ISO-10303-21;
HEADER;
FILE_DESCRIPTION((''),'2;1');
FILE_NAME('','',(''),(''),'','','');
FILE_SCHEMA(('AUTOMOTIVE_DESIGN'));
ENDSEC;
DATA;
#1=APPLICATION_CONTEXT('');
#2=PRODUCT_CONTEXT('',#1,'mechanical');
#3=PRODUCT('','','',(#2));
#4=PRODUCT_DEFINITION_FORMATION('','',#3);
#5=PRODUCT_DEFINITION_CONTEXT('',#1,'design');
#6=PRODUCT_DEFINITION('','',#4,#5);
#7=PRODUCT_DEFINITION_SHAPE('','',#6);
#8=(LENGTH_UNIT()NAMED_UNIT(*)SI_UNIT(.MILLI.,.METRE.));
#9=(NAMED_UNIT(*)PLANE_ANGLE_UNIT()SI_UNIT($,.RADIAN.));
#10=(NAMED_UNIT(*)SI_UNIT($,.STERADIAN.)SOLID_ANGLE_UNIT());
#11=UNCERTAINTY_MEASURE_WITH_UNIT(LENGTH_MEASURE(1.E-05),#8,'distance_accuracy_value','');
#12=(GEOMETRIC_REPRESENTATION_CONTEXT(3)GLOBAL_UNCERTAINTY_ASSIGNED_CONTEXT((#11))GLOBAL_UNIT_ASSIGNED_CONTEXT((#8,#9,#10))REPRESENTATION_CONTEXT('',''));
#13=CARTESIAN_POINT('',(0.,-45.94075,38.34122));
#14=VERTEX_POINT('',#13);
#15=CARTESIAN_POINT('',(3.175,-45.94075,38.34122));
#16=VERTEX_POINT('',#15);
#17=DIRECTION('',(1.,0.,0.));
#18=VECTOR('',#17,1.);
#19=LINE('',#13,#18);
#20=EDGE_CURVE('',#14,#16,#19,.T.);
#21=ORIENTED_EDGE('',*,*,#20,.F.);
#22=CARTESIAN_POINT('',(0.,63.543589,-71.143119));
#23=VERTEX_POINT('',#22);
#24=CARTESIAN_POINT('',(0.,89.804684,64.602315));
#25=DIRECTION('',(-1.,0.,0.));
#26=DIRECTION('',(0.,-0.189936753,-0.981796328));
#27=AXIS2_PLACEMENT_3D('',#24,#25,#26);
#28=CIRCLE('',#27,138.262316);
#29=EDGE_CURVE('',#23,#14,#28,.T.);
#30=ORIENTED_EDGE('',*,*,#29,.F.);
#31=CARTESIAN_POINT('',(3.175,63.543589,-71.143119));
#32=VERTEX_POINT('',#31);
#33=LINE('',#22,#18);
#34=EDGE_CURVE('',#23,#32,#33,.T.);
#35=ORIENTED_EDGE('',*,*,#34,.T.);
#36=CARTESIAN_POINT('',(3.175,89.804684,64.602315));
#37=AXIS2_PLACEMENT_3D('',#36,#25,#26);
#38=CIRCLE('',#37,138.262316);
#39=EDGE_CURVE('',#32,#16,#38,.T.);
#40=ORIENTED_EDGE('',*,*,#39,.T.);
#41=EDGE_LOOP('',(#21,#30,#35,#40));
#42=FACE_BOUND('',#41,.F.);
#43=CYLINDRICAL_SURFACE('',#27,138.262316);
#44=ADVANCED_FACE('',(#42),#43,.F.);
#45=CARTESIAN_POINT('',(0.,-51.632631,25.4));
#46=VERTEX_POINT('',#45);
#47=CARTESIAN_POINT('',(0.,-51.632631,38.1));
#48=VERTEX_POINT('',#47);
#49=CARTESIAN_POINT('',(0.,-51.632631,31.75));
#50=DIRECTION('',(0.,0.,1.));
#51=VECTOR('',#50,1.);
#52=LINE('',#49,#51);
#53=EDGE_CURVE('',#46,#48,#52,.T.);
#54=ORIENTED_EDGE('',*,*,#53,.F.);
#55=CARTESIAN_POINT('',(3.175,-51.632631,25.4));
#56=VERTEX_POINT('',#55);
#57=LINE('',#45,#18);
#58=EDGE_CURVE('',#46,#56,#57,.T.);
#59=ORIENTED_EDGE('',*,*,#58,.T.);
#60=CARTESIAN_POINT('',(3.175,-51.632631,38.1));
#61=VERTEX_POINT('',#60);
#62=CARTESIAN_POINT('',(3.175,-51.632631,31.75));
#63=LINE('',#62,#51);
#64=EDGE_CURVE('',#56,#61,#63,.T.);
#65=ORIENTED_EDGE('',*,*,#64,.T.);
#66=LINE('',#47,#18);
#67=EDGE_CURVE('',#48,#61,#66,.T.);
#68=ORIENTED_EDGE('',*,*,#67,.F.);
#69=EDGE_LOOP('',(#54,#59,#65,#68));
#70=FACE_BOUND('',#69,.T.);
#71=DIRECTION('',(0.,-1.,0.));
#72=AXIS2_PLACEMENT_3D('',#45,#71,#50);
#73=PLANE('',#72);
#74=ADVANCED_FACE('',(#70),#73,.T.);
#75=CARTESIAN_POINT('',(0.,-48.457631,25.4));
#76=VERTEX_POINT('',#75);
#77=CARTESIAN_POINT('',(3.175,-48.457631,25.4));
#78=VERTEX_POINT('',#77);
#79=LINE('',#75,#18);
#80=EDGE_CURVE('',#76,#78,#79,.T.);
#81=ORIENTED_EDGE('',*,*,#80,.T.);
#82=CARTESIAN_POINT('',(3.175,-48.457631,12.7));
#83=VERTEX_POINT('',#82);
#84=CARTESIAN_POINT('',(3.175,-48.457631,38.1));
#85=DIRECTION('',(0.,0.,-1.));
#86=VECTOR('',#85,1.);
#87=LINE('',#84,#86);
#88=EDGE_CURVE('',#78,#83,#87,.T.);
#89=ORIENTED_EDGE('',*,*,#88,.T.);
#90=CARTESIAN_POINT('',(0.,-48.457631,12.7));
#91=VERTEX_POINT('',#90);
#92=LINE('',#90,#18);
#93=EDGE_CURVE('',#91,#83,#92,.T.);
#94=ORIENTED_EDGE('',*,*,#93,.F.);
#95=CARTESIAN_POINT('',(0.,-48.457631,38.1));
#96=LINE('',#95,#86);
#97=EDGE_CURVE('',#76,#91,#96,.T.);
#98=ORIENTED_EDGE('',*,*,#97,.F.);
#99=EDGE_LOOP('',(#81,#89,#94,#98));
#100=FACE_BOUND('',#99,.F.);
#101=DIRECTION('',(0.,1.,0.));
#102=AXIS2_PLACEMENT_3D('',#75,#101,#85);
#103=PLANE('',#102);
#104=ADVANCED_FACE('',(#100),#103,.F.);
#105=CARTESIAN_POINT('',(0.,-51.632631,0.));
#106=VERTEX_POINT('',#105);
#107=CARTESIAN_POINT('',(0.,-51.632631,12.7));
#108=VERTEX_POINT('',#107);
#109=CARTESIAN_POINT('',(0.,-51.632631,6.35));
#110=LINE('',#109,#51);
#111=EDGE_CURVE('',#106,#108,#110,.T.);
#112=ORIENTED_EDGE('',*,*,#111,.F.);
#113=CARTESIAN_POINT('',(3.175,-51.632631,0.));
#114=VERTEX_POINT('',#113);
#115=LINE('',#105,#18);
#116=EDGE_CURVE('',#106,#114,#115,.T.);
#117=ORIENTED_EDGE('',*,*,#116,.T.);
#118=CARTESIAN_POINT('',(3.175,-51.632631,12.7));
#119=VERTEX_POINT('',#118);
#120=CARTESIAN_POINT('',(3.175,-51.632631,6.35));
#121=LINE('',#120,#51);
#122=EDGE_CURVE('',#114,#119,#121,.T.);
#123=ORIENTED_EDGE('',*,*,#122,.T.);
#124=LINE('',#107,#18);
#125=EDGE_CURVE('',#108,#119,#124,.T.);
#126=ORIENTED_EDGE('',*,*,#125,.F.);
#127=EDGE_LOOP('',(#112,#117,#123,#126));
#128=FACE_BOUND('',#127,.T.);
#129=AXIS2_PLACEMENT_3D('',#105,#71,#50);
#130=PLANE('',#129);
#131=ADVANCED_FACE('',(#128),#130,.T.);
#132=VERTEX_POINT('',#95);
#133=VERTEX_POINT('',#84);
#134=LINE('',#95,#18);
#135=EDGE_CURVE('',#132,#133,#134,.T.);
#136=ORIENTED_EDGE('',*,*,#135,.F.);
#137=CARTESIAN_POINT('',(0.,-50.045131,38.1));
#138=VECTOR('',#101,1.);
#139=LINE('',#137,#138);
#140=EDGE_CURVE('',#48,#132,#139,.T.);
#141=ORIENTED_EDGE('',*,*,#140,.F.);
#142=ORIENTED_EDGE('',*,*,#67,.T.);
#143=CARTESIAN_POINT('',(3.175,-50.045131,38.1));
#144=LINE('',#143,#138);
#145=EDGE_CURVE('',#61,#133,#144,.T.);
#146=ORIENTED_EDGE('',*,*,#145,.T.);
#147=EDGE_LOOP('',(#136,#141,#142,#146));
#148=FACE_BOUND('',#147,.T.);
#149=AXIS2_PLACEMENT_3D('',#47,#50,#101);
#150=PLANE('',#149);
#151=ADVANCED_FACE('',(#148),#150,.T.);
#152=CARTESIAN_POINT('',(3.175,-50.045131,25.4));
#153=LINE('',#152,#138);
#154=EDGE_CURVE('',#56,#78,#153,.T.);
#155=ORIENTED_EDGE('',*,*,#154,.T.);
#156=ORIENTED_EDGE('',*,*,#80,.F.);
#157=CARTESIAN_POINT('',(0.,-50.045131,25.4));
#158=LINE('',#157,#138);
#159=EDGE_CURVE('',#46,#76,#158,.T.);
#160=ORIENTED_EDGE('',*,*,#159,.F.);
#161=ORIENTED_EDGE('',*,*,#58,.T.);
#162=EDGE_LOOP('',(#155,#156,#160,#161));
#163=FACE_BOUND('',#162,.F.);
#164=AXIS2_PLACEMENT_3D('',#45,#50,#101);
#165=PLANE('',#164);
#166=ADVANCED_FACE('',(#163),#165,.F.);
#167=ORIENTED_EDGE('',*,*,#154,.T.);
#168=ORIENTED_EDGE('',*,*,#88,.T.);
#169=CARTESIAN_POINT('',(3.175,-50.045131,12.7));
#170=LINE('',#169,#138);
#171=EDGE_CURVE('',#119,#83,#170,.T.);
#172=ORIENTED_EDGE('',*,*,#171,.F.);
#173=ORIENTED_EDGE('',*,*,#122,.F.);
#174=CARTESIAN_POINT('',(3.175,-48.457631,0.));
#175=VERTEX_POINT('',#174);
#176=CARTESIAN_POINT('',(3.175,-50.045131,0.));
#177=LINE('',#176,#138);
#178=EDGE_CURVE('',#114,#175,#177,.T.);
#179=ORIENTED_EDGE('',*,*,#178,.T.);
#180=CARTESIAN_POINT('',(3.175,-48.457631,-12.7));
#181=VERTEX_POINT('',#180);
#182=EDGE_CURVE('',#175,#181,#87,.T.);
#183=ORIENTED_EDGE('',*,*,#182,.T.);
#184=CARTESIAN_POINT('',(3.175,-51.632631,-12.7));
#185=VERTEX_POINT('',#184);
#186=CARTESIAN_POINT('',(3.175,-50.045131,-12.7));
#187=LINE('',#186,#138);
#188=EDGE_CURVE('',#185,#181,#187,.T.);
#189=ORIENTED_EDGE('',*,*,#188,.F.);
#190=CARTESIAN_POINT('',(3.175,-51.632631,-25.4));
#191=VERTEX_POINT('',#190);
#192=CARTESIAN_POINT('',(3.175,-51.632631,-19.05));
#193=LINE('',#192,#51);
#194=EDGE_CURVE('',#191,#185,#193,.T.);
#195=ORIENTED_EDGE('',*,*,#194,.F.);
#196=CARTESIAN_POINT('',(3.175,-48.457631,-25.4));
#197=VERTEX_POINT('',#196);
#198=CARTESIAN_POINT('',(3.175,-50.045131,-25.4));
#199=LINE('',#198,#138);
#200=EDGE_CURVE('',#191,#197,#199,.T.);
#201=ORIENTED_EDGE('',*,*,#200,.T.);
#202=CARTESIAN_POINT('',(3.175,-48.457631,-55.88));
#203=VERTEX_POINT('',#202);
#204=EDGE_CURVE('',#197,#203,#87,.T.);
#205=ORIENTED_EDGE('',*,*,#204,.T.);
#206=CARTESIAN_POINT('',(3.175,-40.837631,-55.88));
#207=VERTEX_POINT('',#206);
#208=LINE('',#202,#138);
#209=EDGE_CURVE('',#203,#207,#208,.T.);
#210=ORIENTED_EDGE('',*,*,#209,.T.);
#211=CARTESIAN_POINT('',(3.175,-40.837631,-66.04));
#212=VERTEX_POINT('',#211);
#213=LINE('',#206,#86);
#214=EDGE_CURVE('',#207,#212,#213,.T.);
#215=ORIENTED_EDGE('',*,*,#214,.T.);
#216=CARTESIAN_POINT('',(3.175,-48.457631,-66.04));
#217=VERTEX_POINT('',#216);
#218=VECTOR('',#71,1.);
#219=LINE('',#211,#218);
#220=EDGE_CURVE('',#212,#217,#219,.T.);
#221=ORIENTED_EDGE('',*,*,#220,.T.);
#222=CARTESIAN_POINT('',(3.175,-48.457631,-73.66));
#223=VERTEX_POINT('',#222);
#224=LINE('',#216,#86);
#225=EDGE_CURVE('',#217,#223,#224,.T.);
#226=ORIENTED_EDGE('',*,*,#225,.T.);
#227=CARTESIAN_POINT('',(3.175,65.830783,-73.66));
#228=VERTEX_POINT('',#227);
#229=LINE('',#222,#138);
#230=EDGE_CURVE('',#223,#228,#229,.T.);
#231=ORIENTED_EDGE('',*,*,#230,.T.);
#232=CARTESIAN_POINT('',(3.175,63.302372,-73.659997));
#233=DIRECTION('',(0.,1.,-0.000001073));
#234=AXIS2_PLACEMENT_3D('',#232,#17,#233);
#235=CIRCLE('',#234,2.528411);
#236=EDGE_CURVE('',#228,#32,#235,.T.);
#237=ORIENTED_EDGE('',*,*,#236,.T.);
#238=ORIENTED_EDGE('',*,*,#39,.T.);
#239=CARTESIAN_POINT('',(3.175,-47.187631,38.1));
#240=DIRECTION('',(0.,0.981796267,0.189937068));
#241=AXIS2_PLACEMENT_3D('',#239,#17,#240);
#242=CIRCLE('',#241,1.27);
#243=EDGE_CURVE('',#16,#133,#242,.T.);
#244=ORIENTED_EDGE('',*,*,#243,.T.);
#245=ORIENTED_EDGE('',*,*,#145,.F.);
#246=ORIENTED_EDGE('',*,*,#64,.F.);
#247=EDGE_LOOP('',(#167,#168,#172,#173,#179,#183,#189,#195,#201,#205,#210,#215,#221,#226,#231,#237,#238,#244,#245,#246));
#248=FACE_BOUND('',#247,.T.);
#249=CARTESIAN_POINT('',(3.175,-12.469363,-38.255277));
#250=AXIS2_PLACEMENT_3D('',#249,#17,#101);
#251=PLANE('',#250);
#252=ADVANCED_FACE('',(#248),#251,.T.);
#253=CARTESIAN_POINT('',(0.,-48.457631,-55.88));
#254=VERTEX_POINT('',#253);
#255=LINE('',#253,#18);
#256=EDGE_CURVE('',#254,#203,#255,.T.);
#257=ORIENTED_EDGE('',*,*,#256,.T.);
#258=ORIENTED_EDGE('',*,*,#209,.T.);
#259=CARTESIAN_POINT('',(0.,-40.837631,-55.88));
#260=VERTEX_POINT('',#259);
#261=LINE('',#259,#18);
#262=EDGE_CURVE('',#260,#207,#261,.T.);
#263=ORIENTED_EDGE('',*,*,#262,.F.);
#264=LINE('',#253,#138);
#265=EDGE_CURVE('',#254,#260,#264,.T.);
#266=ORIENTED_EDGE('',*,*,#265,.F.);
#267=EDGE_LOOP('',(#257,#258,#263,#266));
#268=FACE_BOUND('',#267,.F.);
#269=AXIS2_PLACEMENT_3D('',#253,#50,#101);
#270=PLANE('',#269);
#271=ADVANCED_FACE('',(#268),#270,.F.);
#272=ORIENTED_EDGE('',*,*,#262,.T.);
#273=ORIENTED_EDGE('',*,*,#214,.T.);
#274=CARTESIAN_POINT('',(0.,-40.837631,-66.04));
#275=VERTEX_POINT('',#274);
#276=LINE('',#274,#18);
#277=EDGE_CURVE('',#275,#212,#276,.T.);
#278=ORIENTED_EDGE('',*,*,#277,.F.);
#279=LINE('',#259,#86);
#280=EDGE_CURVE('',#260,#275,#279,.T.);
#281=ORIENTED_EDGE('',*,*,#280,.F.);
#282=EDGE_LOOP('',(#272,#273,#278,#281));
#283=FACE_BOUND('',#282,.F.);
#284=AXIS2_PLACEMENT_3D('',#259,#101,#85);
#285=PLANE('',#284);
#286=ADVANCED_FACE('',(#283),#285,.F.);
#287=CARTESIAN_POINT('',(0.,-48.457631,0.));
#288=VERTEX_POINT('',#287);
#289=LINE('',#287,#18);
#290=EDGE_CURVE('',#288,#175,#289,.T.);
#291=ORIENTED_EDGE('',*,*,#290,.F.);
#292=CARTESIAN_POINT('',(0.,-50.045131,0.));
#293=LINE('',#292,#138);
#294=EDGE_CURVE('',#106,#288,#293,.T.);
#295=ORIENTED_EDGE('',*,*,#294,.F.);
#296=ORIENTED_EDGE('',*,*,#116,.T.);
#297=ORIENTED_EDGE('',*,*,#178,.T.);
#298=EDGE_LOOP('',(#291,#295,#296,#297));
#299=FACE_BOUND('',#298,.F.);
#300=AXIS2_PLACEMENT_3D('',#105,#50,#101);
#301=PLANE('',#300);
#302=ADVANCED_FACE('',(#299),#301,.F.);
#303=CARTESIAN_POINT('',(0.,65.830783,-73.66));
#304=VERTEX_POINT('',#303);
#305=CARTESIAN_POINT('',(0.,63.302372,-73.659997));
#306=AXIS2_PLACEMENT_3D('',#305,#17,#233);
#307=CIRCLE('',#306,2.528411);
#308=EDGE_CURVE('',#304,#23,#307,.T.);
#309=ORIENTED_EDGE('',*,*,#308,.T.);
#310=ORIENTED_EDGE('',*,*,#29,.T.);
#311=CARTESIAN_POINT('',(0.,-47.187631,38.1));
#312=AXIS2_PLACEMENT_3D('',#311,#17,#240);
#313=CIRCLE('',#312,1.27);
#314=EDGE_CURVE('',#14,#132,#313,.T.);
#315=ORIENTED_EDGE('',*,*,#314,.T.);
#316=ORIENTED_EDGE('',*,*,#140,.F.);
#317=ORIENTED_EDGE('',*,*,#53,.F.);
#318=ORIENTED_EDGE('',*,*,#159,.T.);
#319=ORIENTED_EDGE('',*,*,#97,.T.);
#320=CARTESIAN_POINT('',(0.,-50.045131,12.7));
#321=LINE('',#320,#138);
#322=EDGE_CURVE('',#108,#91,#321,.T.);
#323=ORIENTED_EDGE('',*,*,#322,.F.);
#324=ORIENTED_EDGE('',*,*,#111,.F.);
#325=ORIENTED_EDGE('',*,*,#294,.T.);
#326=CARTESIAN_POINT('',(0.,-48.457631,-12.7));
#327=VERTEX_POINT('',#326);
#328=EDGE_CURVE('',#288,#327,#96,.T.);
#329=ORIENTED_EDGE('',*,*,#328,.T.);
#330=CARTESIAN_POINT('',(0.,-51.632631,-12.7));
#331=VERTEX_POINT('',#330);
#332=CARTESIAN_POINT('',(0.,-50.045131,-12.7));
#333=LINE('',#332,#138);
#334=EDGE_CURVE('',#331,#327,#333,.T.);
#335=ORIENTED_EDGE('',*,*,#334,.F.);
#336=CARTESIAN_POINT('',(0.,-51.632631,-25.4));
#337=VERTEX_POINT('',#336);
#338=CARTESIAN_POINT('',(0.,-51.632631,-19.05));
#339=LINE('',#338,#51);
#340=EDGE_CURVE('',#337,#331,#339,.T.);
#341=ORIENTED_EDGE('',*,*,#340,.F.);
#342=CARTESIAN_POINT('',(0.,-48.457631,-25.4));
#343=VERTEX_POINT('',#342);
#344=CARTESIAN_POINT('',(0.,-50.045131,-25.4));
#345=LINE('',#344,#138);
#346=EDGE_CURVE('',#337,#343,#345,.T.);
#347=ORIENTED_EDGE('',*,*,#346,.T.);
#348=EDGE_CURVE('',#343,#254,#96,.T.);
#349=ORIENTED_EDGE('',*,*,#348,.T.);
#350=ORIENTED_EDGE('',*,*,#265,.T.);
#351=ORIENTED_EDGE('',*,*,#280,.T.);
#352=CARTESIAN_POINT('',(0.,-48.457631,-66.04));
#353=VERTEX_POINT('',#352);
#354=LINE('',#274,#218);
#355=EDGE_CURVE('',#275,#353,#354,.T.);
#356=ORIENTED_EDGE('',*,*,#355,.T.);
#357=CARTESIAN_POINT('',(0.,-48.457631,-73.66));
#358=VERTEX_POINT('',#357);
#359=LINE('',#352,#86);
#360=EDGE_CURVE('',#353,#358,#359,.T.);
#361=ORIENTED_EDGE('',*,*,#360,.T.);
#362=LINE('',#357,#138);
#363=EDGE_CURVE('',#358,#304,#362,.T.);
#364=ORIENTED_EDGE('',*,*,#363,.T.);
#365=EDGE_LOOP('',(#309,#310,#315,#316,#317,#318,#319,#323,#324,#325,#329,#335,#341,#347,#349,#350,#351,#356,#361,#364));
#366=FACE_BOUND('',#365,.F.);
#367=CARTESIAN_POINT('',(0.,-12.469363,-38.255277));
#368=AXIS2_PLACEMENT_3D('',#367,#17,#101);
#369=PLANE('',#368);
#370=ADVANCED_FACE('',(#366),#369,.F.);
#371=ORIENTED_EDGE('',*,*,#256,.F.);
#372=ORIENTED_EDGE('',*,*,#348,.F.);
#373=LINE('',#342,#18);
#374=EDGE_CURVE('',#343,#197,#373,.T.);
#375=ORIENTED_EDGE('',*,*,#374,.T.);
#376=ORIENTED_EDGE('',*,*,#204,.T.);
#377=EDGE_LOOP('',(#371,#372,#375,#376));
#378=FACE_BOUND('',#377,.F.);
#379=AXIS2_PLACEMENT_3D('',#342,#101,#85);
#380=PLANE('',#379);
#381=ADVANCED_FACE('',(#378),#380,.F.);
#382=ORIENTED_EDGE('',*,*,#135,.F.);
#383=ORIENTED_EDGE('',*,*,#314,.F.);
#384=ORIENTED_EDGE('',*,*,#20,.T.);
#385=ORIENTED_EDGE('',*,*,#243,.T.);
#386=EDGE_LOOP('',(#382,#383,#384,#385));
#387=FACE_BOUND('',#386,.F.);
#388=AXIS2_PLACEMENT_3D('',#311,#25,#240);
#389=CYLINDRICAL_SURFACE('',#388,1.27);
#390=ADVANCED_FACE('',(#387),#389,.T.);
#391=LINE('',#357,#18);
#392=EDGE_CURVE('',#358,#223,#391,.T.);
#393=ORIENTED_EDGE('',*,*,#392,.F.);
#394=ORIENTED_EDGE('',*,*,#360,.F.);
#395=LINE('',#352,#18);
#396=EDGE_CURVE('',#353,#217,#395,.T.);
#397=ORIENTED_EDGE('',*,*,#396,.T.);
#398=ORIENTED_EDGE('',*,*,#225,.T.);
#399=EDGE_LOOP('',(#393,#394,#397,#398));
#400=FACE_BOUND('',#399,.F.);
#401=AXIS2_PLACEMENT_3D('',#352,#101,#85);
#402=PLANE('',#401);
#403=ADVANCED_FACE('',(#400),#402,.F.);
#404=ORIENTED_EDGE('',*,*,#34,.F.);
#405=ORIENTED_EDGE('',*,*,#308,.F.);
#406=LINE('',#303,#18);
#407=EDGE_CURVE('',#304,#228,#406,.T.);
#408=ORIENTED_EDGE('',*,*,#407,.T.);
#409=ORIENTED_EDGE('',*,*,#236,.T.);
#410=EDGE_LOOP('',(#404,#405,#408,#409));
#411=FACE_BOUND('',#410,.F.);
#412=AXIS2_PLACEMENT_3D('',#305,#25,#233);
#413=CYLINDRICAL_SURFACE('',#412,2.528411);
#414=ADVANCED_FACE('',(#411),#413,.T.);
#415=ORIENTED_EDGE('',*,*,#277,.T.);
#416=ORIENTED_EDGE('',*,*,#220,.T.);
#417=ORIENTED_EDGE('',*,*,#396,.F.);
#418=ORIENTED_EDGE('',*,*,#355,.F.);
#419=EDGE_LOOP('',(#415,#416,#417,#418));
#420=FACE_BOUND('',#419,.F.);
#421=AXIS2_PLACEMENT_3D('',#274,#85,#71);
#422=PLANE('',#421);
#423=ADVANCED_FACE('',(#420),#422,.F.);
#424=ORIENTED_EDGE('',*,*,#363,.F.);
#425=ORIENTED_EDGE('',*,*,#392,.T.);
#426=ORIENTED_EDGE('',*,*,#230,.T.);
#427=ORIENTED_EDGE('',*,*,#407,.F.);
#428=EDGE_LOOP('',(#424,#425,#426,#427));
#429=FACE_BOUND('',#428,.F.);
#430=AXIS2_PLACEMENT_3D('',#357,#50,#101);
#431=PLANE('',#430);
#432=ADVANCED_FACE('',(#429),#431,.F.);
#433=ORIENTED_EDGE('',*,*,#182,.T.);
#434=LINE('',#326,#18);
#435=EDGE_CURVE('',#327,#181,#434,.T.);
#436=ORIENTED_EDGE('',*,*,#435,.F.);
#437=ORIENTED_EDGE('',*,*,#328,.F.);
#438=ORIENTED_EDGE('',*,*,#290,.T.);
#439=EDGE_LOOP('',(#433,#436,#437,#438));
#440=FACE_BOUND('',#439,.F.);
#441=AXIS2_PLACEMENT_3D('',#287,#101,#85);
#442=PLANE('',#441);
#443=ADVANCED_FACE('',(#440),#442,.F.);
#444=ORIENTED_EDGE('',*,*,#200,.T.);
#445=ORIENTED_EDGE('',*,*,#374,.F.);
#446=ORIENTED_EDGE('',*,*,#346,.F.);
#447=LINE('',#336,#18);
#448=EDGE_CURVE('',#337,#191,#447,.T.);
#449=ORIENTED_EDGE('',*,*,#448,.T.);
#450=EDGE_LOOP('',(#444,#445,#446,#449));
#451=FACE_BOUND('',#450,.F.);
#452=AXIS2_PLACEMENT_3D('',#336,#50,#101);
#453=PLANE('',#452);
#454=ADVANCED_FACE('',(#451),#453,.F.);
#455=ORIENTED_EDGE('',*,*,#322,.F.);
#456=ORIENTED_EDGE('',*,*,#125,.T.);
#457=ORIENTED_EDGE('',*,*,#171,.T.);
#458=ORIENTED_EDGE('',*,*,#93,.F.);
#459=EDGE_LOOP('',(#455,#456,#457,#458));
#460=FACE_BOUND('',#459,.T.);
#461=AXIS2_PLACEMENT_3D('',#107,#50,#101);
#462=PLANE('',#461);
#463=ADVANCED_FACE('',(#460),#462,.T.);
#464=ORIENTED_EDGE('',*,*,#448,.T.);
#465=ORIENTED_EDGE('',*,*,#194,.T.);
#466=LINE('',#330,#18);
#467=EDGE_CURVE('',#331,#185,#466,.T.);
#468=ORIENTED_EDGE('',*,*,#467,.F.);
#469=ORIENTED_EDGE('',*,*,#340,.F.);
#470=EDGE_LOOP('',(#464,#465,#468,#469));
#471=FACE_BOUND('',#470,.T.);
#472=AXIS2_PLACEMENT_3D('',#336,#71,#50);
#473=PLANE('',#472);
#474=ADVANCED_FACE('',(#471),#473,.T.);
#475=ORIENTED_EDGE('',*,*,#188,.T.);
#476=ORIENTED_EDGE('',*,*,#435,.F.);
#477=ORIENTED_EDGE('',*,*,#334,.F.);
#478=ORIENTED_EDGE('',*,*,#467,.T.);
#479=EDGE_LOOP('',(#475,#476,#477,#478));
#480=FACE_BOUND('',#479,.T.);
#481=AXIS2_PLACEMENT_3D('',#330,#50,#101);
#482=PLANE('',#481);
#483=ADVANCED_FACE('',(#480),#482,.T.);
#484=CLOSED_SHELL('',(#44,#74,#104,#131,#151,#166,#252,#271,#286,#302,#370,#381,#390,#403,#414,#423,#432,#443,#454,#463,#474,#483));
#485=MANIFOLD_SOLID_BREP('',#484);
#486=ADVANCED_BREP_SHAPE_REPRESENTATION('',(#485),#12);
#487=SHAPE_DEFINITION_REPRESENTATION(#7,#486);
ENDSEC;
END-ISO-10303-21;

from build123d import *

# Parameters (mm, degrees)
F0_W     = 3.175
F0_H     = 12.7
F1_DEPTH = 3.175


with BuildPart() as f1:
    # F0 (on Right) → F1 (new body)
    with BuildSketch(Plane.YZ):
        with BuildLine():
            ThreePointArc((-45.94075, 38.34122), (-47.308793, 39.364207), (-48.457631, 38.1))
            Line((-48.457631, 38.1), (-48.457631, 25.4))
            Line((-48.457631, 25.4), (-48.457631, 12.7))
            Line((-48.457631, 12.7), (-48.457631, 0))
            Line((-48.457631, 0), (-48.457631, -12.7))
            Line((-48.457631, -12.7), (-48.457631, -25.4))
            Line((-48.457631, -25.4), (-48.457631, -55.88))
            Line((-48.457631, -55.88), (-40.837631, -55.88))
            Line((-40.837631, -55.88), (-40.837631, -66.04))
            Line((-40.837631, -66.04), (-48.457631, -66.04))
            Line((-48.457631, -66.04), (-48.457631, -73.66))
            Line((-48.457631, -73.66), (-40.837631, -73.66))
            Line((-40.837631, -73.66), (63.302369, -73.66))
            Line((63.302369, -73.66), (65.830783, -73.66))
            ThreePointArc((65.830783, -73.66), (65.17357, -71.959562), (63.543589, -71.143119))
            ThreePointArc((63.543589, -71.143119), (-7.961537, -33.163906), (-45.94075, 38.34122))
        make_face()
        with Locations((-50.045131, 31.75)):
            Rectangle(F0_W, F0_H)
        with Locations((-50.045131, 6.35)):
            Rectangle(F0_W, F0_H)
        with Locations((-50.045131, -19.05)):
            Rectangle(F0_W, F0_H)
    extrude(amount=F1_DEPTH)


solid = f1.part
